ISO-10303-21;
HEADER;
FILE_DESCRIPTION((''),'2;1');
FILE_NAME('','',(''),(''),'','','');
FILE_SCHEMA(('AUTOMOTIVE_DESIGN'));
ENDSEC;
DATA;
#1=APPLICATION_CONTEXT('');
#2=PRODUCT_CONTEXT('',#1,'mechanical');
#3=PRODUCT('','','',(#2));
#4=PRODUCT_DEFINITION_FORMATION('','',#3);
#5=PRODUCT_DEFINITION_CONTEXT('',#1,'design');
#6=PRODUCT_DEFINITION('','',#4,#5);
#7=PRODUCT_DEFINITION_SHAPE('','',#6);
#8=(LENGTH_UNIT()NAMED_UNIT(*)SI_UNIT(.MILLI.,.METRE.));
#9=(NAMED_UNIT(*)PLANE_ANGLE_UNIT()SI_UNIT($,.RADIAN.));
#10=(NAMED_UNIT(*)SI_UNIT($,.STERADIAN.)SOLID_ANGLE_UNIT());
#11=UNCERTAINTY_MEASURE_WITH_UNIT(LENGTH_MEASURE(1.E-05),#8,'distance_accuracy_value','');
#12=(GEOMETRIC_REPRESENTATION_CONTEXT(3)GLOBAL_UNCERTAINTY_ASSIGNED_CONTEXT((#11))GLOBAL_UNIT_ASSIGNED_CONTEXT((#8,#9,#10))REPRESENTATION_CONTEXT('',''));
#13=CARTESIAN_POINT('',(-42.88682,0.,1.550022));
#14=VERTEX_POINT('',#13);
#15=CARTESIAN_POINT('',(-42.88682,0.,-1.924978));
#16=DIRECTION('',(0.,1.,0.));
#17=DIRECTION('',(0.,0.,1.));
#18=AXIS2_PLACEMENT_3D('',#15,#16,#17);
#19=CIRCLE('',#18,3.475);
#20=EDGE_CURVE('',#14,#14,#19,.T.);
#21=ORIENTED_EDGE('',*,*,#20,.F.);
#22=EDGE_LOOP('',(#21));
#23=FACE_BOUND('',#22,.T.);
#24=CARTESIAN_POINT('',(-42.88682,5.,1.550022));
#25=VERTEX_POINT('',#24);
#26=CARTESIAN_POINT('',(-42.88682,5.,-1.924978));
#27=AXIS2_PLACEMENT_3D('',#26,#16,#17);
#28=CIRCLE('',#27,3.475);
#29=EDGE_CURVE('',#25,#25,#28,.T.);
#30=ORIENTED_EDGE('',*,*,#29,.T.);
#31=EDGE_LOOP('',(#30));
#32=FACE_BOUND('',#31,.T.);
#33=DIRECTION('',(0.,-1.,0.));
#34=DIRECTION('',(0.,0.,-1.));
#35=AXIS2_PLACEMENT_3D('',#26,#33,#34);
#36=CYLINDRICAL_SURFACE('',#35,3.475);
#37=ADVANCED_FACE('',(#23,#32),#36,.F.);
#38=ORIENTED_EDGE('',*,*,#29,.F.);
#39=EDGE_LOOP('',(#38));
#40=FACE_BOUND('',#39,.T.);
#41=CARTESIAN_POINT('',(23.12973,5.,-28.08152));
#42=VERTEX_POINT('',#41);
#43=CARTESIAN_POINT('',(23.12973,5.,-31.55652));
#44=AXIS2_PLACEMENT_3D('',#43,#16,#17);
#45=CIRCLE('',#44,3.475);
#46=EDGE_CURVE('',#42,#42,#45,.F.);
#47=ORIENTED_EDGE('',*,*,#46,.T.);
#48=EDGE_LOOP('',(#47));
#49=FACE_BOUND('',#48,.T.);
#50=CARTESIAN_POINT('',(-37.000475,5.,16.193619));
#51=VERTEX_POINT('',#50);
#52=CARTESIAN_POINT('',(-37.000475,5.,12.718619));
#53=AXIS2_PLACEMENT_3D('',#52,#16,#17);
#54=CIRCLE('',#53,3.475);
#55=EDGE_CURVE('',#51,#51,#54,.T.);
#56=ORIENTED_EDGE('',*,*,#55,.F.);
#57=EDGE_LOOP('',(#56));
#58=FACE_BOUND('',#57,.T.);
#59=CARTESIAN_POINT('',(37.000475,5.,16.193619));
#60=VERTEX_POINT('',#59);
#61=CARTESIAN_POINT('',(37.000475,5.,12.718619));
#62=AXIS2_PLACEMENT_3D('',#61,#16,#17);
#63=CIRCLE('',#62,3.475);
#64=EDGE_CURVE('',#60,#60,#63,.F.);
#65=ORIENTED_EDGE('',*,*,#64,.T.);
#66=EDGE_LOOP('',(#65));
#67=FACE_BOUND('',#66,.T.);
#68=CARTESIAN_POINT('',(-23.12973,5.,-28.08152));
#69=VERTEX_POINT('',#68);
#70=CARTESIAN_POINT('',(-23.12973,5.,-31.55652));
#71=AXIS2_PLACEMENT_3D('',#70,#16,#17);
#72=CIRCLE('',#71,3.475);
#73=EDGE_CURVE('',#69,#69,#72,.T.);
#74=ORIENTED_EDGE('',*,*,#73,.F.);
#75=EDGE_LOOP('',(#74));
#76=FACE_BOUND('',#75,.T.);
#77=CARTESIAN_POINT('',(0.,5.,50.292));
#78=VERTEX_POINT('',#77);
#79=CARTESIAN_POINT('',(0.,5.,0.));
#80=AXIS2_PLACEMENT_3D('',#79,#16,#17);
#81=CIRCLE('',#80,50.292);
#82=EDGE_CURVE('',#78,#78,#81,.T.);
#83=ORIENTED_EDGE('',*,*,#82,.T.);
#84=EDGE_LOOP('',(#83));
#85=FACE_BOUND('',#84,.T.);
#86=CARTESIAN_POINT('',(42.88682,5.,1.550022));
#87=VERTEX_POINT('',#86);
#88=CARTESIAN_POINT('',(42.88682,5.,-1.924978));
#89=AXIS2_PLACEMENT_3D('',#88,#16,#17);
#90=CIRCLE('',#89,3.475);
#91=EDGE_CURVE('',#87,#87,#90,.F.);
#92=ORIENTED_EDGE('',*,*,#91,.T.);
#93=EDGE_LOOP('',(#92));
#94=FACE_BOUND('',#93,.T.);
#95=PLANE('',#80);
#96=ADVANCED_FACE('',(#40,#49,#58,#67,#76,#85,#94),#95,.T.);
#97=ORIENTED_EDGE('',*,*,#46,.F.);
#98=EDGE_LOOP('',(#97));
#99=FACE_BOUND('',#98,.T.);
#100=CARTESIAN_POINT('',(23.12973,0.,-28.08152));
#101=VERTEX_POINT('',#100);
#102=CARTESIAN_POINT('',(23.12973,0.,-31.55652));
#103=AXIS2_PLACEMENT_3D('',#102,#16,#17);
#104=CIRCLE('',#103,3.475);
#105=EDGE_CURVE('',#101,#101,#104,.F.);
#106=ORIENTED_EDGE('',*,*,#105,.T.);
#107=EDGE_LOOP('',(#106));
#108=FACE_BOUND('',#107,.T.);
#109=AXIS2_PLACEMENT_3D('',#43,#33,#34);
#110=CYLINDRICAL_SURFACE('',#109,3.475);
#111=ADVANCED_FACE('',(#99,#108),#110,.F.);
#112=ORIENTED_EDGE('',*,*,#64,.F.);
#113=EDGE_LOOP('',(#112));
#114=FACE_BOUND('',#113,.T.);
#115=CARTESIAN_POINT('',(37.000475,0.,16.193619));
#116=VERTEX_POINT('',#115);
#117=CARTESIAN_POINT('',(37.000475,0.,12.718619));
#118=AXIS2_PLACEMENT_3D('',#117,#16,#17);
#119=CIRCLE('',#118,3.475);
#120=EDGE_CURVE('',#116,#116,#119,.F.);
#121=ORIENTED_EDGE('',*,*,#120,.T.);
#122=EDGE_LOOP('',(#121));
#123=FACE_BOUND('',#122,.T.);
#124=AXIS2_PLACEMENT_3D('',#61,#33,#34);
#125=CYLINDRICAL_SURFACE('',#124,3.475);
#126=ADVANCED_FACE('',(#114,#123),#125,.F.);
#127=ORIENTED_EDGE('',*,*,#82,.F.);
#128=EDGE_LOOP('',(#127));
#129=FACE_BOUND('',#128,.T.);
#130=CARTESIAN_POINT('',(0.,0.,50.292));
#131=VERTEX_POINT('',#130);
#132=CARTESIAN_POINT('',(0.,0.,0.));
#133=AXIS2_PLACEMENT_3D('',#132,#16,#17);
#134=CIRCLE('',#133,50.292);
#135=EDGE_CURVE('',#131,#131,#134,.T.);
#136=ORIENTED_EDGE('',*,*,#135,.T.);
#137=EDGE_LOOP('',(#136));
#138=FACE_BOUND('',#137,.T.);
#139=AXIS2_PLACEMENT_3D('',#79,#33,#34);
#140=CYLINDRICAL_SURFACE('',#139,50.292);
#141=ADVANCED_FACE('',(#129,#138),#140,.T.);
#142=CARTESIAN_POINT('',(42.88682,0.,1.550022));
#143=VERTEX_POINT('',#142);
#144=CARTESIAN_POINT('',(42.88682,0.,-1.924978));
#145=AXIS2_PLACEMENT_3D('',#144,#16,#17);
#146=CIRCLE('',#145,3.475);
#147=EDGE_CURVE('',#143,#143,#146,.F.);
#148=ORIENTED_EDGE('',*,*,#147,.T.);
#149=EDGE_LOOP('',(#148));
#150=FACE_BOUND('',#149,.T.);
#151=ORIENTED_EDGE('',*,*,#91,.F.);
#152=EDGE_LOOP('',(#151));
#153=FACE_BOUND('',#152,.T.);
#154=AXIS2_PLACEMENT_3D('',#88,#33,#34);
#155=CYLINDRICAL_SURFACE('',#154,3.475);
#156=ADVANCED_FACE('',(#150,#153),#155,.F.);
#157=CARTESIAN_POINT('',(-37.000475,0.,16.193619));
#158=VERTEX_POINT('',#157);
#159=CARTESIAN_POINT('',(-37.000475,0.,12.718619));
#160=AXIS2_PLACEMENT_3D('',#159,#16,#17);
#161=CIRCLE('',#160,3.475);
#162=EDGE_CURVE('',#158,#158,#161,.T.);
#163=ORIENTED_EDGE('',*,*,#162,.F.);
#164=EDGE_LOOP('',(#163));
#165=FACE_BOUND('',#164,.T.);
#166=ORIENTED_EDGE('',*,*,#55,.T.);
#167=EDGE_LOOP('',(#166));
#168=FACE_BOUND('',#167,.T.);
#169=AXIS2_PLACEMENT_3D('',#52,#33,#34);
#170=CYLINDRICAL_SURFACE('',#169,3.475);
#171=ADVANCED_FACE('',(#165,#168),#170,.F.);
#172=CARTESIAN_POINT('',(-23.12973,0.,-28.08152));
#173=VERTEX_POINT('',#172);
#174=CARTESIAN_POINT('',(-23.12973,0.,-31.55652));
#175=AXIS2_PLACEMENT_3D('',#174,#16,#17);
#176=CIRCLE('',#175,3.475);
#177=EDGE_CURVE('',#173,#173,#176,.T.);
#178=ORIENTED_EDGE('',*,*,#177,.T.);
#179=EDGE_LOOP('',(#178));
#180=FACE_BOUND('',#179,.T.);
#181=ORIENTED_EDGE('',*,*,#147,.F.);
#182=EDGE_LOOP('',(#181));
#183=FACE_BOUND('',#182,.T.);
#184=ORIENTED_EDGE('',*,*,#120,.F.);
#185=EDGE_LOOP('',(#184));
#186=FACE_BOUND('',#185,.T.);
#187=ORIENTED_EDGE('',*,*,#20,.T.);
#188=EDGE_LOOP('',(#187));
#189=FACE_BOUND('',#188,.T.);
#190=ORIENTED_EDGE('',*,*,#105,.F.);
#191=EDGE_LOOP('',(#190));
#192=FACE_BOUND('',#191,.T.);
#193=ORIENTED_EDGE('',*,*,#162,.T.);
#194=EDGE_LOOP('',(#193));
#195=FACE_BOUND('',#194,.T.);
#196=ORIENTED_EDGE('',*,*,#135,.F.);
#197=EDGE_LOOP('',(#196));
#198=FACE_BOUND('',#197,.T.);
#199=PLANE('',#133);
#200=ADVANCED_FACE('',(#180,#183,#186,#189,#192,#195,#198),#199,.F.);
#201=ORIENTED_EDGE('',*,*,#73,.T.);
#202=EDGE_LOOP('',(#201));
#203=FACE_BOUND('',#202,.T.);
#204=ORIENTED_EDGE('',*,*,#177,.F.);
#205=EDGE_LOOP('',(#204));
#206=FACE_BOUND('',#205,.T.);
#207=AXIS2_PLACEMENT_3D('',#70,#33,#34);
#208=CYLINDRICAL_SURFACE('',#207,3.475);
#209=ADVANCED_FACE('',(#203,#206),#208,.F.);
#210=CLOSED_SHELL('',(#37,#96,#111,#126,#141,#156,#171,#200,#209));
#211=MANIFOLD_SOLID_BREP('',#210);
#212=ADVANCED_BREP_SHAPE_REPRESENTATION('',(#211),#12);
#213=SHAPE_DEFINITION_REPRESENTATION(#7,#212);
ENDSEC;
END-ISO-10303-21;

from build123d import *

# Parameters (mm, degrees)
SKETCH1_R           = 50.292
SKETCH1_R_2         = 3.475
BOSS_EXTRUDE1_DEPTH = 5


with BuildPart() as part:
    # Sketch1 → Boss-Extrude1 (new body)
    with BuildSketch(Plane(origin=(0, 0, 0), x_dir=(1, 0, 0), z_dir=(0, 1, 0))):
        Circle(SKETCH1_R)
        with Locations((42.886820356, 1.924977859)):
            Circle(SKETCH1_R_2, mode=Mode.SUBTRACT)
        with Locations((-42.886820356, 1.924977859)):
            Circle(SKETCH1_R_2, mode=Mode.SUBTRACT)
        with Locations((-37.000474826, -12.718618748)):
            Circle(SKETCH1_R_2, mode=Mode.SUBTRACT)
        with Locations((-23.129730363, 31.556520301)):
            Circle(SKETCH1_R_2, mode=Mode.SUBTRACT)
        with Locations((37.000474826, -12.718618748)):
            Circle(SKETCH1_R_2, mode=Mode.SUBTRACT)
        with Locations((23.129730363, 31.556520301)):
            Circle(SKETCH1_R_2, mode=Mode.SUBTRACT)
    extrude(amount=BOSS_EXTRUDE1_DEPTH)


solid = part.part
